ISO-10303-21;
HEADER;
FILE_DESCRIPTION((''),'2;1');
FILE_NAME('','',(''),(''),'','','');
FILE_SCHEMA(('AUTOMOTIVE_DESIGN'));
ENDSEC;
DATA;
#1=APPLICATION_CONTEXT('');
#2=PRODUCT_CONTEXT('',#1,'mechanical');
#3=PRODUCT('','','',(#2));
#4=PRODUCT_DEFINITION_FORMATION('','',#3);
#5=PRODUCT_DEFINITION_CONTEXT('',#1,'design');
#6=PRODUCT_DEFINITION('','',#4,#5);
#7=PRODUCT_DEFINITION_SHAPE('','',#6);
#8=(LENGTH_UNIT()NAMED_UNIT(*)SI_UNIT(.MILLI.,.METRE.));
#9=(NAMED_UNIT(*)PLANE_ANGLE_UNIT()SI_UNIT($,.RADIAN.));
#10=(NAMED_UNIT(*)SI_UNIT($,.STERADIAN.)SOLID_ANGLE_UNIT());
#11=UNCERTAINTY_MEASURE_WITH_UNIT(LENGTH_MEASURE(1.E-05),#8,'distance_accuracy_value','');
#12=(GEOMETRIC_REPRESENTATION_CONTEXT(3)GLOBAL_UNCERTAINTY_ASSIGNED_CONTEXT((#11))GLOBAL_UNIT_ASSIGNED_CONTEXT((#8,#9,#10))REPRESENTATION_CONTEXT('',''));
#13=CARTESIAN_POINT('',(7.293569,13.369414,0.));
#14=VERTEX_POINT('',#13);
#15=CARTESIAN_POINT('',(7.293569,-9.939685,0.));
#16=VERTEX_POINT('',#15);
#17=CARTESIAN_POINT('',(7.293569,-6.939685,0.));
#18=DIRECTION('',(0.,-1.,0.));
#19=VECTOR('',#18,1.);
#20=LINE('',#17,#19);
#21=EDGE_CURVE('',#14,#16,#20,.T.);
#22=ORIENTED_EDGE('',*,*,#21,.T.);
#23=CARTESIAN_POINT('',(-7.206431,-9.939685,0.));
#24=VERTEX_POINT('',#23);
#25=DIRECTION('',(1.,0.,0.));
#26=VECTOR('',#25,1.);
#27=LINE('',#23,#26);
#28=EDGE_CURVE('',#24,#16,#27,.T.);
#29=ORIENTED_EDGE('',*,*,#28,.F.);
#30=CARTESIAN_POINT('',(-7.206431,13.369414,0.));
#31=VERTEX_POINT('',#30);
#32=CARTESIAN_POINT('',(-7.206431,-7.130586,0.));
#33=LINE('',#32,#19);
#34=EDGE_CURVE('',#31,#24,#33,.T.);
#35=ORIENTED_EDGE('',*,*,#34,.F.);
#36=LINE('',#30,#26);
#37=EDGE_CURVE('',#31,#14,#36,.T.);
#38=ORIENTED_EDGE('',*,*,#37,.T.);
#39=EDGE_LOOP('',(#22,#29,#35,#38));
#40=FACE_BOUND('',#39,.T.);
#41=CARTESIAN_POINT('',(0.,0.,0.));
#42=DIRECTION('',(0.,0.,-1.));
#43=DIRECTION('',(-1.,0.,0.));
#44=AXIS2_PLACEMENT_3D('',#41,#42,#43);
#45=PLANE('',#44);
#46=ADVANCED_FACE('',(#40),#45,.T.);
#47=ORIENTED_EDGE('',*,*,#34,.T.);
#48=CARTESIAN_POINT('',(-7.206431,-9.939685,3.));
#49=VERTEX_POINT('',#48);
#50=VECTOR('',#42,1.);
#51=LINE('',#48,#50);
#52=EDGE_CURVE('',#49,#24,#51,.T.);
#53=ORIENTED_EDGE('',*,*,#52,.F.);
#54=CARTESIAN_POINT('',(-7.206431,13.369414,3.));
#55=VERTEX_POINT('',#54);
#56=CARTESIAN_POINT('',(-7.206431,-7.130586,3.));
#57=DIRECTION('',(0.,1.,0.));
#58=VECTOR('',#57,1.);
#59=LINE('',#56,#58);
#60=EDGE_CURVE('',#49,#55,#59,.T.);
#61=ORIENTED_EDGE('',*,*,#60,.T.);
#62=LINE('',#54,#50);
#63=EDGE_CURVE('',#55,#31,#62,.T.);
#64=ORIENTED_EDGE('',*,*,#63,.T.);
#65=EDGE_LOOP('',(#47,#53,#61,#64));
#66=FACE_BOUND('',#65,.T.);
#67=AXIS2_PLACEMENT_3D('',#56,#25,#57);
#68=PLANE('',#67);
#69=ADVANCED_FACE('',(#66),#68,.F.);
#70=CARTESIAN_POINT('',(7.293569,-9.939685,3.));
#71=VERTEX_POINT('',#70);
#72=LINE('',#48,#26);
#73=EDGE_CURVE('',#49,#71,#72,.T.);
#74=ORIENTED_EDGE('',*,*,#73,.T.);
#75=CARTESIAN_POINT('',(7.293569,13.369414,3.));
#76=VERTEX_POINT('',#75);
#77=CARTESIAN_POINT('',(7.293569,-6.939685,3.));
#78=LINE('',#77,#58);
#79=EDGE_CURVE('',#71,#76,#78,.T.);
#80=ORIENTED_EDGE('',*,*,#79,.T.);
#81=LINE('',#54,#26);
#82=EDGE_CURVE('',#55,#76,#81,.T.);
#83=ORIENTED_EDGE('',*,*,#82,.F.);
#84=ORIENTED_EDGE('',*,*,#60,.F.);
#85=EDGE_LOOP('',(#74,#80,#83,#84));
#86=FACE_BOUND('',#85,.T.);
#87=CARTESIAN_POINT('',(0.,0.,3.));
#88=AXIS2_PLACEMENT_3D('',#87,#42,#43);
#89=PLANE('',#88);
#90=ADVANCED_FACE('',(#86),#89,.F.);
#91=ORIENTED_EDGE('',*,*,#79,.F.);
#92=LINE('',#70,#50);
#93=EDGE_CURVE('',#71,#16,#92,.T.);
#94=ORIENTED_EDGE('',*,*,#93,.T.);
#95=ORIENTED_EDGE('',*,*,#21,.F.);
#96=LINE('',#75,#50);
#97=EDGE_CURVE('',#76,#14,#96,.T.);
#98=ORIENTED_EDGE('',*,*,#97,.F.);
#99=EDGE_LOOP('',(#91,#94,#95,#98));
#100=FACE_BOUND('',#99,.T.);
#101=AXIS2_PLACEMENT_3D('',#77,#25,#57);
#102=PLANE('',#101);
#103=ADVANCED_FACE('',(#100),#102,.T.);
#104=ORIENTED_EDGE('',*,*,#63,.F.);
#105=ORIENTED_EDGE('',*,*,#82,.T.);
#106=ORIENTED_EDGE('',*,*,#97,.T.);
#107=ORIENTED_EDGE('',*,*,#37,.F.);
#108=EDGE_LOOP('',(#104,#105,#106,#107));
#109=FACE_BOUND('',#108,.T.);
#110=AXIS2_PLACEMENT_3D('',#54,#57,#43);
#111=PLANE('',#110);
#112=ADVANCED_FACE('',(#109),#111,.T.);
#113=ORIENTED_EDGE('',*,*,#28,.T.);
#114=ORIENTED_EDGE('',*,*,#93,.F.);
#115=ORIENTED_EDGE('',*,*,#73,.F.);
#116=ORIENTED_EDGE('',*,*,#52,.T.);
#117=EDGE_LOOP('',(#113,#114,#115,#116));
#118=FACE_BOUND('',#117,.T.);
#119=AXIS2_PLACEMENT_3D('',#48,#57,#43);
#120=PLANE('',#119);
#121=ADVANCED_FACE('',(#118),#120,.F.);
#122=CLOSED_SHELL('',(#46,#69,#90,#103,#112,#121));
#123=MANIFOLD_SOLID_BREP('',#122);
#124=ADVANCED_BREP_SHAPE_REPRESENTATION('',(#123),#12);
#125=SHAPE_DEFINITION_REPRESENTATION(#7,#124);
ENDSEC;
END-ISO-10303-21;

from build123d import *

# Parameters (mm, degrees)
BOSS_EXTRUDE1_DEPTH = 3


with BuildPart() as part:
    # Sketch1 → Boss-Extrude1 (new body)
    with BuildSketch(Plane.XY):
        Polygon((-7.206431168, -7.130585607), (-7.206431168, 13.369414393), (7.293568832, 13.369414393), (7.293568832, -6.939685402), (7.293568832, -9.939685402), (-7.206431168, -9.939685402), align=None)
    extrude(amount=BOSS_EXTRUDE1_DEPTH)


solid = part.part
